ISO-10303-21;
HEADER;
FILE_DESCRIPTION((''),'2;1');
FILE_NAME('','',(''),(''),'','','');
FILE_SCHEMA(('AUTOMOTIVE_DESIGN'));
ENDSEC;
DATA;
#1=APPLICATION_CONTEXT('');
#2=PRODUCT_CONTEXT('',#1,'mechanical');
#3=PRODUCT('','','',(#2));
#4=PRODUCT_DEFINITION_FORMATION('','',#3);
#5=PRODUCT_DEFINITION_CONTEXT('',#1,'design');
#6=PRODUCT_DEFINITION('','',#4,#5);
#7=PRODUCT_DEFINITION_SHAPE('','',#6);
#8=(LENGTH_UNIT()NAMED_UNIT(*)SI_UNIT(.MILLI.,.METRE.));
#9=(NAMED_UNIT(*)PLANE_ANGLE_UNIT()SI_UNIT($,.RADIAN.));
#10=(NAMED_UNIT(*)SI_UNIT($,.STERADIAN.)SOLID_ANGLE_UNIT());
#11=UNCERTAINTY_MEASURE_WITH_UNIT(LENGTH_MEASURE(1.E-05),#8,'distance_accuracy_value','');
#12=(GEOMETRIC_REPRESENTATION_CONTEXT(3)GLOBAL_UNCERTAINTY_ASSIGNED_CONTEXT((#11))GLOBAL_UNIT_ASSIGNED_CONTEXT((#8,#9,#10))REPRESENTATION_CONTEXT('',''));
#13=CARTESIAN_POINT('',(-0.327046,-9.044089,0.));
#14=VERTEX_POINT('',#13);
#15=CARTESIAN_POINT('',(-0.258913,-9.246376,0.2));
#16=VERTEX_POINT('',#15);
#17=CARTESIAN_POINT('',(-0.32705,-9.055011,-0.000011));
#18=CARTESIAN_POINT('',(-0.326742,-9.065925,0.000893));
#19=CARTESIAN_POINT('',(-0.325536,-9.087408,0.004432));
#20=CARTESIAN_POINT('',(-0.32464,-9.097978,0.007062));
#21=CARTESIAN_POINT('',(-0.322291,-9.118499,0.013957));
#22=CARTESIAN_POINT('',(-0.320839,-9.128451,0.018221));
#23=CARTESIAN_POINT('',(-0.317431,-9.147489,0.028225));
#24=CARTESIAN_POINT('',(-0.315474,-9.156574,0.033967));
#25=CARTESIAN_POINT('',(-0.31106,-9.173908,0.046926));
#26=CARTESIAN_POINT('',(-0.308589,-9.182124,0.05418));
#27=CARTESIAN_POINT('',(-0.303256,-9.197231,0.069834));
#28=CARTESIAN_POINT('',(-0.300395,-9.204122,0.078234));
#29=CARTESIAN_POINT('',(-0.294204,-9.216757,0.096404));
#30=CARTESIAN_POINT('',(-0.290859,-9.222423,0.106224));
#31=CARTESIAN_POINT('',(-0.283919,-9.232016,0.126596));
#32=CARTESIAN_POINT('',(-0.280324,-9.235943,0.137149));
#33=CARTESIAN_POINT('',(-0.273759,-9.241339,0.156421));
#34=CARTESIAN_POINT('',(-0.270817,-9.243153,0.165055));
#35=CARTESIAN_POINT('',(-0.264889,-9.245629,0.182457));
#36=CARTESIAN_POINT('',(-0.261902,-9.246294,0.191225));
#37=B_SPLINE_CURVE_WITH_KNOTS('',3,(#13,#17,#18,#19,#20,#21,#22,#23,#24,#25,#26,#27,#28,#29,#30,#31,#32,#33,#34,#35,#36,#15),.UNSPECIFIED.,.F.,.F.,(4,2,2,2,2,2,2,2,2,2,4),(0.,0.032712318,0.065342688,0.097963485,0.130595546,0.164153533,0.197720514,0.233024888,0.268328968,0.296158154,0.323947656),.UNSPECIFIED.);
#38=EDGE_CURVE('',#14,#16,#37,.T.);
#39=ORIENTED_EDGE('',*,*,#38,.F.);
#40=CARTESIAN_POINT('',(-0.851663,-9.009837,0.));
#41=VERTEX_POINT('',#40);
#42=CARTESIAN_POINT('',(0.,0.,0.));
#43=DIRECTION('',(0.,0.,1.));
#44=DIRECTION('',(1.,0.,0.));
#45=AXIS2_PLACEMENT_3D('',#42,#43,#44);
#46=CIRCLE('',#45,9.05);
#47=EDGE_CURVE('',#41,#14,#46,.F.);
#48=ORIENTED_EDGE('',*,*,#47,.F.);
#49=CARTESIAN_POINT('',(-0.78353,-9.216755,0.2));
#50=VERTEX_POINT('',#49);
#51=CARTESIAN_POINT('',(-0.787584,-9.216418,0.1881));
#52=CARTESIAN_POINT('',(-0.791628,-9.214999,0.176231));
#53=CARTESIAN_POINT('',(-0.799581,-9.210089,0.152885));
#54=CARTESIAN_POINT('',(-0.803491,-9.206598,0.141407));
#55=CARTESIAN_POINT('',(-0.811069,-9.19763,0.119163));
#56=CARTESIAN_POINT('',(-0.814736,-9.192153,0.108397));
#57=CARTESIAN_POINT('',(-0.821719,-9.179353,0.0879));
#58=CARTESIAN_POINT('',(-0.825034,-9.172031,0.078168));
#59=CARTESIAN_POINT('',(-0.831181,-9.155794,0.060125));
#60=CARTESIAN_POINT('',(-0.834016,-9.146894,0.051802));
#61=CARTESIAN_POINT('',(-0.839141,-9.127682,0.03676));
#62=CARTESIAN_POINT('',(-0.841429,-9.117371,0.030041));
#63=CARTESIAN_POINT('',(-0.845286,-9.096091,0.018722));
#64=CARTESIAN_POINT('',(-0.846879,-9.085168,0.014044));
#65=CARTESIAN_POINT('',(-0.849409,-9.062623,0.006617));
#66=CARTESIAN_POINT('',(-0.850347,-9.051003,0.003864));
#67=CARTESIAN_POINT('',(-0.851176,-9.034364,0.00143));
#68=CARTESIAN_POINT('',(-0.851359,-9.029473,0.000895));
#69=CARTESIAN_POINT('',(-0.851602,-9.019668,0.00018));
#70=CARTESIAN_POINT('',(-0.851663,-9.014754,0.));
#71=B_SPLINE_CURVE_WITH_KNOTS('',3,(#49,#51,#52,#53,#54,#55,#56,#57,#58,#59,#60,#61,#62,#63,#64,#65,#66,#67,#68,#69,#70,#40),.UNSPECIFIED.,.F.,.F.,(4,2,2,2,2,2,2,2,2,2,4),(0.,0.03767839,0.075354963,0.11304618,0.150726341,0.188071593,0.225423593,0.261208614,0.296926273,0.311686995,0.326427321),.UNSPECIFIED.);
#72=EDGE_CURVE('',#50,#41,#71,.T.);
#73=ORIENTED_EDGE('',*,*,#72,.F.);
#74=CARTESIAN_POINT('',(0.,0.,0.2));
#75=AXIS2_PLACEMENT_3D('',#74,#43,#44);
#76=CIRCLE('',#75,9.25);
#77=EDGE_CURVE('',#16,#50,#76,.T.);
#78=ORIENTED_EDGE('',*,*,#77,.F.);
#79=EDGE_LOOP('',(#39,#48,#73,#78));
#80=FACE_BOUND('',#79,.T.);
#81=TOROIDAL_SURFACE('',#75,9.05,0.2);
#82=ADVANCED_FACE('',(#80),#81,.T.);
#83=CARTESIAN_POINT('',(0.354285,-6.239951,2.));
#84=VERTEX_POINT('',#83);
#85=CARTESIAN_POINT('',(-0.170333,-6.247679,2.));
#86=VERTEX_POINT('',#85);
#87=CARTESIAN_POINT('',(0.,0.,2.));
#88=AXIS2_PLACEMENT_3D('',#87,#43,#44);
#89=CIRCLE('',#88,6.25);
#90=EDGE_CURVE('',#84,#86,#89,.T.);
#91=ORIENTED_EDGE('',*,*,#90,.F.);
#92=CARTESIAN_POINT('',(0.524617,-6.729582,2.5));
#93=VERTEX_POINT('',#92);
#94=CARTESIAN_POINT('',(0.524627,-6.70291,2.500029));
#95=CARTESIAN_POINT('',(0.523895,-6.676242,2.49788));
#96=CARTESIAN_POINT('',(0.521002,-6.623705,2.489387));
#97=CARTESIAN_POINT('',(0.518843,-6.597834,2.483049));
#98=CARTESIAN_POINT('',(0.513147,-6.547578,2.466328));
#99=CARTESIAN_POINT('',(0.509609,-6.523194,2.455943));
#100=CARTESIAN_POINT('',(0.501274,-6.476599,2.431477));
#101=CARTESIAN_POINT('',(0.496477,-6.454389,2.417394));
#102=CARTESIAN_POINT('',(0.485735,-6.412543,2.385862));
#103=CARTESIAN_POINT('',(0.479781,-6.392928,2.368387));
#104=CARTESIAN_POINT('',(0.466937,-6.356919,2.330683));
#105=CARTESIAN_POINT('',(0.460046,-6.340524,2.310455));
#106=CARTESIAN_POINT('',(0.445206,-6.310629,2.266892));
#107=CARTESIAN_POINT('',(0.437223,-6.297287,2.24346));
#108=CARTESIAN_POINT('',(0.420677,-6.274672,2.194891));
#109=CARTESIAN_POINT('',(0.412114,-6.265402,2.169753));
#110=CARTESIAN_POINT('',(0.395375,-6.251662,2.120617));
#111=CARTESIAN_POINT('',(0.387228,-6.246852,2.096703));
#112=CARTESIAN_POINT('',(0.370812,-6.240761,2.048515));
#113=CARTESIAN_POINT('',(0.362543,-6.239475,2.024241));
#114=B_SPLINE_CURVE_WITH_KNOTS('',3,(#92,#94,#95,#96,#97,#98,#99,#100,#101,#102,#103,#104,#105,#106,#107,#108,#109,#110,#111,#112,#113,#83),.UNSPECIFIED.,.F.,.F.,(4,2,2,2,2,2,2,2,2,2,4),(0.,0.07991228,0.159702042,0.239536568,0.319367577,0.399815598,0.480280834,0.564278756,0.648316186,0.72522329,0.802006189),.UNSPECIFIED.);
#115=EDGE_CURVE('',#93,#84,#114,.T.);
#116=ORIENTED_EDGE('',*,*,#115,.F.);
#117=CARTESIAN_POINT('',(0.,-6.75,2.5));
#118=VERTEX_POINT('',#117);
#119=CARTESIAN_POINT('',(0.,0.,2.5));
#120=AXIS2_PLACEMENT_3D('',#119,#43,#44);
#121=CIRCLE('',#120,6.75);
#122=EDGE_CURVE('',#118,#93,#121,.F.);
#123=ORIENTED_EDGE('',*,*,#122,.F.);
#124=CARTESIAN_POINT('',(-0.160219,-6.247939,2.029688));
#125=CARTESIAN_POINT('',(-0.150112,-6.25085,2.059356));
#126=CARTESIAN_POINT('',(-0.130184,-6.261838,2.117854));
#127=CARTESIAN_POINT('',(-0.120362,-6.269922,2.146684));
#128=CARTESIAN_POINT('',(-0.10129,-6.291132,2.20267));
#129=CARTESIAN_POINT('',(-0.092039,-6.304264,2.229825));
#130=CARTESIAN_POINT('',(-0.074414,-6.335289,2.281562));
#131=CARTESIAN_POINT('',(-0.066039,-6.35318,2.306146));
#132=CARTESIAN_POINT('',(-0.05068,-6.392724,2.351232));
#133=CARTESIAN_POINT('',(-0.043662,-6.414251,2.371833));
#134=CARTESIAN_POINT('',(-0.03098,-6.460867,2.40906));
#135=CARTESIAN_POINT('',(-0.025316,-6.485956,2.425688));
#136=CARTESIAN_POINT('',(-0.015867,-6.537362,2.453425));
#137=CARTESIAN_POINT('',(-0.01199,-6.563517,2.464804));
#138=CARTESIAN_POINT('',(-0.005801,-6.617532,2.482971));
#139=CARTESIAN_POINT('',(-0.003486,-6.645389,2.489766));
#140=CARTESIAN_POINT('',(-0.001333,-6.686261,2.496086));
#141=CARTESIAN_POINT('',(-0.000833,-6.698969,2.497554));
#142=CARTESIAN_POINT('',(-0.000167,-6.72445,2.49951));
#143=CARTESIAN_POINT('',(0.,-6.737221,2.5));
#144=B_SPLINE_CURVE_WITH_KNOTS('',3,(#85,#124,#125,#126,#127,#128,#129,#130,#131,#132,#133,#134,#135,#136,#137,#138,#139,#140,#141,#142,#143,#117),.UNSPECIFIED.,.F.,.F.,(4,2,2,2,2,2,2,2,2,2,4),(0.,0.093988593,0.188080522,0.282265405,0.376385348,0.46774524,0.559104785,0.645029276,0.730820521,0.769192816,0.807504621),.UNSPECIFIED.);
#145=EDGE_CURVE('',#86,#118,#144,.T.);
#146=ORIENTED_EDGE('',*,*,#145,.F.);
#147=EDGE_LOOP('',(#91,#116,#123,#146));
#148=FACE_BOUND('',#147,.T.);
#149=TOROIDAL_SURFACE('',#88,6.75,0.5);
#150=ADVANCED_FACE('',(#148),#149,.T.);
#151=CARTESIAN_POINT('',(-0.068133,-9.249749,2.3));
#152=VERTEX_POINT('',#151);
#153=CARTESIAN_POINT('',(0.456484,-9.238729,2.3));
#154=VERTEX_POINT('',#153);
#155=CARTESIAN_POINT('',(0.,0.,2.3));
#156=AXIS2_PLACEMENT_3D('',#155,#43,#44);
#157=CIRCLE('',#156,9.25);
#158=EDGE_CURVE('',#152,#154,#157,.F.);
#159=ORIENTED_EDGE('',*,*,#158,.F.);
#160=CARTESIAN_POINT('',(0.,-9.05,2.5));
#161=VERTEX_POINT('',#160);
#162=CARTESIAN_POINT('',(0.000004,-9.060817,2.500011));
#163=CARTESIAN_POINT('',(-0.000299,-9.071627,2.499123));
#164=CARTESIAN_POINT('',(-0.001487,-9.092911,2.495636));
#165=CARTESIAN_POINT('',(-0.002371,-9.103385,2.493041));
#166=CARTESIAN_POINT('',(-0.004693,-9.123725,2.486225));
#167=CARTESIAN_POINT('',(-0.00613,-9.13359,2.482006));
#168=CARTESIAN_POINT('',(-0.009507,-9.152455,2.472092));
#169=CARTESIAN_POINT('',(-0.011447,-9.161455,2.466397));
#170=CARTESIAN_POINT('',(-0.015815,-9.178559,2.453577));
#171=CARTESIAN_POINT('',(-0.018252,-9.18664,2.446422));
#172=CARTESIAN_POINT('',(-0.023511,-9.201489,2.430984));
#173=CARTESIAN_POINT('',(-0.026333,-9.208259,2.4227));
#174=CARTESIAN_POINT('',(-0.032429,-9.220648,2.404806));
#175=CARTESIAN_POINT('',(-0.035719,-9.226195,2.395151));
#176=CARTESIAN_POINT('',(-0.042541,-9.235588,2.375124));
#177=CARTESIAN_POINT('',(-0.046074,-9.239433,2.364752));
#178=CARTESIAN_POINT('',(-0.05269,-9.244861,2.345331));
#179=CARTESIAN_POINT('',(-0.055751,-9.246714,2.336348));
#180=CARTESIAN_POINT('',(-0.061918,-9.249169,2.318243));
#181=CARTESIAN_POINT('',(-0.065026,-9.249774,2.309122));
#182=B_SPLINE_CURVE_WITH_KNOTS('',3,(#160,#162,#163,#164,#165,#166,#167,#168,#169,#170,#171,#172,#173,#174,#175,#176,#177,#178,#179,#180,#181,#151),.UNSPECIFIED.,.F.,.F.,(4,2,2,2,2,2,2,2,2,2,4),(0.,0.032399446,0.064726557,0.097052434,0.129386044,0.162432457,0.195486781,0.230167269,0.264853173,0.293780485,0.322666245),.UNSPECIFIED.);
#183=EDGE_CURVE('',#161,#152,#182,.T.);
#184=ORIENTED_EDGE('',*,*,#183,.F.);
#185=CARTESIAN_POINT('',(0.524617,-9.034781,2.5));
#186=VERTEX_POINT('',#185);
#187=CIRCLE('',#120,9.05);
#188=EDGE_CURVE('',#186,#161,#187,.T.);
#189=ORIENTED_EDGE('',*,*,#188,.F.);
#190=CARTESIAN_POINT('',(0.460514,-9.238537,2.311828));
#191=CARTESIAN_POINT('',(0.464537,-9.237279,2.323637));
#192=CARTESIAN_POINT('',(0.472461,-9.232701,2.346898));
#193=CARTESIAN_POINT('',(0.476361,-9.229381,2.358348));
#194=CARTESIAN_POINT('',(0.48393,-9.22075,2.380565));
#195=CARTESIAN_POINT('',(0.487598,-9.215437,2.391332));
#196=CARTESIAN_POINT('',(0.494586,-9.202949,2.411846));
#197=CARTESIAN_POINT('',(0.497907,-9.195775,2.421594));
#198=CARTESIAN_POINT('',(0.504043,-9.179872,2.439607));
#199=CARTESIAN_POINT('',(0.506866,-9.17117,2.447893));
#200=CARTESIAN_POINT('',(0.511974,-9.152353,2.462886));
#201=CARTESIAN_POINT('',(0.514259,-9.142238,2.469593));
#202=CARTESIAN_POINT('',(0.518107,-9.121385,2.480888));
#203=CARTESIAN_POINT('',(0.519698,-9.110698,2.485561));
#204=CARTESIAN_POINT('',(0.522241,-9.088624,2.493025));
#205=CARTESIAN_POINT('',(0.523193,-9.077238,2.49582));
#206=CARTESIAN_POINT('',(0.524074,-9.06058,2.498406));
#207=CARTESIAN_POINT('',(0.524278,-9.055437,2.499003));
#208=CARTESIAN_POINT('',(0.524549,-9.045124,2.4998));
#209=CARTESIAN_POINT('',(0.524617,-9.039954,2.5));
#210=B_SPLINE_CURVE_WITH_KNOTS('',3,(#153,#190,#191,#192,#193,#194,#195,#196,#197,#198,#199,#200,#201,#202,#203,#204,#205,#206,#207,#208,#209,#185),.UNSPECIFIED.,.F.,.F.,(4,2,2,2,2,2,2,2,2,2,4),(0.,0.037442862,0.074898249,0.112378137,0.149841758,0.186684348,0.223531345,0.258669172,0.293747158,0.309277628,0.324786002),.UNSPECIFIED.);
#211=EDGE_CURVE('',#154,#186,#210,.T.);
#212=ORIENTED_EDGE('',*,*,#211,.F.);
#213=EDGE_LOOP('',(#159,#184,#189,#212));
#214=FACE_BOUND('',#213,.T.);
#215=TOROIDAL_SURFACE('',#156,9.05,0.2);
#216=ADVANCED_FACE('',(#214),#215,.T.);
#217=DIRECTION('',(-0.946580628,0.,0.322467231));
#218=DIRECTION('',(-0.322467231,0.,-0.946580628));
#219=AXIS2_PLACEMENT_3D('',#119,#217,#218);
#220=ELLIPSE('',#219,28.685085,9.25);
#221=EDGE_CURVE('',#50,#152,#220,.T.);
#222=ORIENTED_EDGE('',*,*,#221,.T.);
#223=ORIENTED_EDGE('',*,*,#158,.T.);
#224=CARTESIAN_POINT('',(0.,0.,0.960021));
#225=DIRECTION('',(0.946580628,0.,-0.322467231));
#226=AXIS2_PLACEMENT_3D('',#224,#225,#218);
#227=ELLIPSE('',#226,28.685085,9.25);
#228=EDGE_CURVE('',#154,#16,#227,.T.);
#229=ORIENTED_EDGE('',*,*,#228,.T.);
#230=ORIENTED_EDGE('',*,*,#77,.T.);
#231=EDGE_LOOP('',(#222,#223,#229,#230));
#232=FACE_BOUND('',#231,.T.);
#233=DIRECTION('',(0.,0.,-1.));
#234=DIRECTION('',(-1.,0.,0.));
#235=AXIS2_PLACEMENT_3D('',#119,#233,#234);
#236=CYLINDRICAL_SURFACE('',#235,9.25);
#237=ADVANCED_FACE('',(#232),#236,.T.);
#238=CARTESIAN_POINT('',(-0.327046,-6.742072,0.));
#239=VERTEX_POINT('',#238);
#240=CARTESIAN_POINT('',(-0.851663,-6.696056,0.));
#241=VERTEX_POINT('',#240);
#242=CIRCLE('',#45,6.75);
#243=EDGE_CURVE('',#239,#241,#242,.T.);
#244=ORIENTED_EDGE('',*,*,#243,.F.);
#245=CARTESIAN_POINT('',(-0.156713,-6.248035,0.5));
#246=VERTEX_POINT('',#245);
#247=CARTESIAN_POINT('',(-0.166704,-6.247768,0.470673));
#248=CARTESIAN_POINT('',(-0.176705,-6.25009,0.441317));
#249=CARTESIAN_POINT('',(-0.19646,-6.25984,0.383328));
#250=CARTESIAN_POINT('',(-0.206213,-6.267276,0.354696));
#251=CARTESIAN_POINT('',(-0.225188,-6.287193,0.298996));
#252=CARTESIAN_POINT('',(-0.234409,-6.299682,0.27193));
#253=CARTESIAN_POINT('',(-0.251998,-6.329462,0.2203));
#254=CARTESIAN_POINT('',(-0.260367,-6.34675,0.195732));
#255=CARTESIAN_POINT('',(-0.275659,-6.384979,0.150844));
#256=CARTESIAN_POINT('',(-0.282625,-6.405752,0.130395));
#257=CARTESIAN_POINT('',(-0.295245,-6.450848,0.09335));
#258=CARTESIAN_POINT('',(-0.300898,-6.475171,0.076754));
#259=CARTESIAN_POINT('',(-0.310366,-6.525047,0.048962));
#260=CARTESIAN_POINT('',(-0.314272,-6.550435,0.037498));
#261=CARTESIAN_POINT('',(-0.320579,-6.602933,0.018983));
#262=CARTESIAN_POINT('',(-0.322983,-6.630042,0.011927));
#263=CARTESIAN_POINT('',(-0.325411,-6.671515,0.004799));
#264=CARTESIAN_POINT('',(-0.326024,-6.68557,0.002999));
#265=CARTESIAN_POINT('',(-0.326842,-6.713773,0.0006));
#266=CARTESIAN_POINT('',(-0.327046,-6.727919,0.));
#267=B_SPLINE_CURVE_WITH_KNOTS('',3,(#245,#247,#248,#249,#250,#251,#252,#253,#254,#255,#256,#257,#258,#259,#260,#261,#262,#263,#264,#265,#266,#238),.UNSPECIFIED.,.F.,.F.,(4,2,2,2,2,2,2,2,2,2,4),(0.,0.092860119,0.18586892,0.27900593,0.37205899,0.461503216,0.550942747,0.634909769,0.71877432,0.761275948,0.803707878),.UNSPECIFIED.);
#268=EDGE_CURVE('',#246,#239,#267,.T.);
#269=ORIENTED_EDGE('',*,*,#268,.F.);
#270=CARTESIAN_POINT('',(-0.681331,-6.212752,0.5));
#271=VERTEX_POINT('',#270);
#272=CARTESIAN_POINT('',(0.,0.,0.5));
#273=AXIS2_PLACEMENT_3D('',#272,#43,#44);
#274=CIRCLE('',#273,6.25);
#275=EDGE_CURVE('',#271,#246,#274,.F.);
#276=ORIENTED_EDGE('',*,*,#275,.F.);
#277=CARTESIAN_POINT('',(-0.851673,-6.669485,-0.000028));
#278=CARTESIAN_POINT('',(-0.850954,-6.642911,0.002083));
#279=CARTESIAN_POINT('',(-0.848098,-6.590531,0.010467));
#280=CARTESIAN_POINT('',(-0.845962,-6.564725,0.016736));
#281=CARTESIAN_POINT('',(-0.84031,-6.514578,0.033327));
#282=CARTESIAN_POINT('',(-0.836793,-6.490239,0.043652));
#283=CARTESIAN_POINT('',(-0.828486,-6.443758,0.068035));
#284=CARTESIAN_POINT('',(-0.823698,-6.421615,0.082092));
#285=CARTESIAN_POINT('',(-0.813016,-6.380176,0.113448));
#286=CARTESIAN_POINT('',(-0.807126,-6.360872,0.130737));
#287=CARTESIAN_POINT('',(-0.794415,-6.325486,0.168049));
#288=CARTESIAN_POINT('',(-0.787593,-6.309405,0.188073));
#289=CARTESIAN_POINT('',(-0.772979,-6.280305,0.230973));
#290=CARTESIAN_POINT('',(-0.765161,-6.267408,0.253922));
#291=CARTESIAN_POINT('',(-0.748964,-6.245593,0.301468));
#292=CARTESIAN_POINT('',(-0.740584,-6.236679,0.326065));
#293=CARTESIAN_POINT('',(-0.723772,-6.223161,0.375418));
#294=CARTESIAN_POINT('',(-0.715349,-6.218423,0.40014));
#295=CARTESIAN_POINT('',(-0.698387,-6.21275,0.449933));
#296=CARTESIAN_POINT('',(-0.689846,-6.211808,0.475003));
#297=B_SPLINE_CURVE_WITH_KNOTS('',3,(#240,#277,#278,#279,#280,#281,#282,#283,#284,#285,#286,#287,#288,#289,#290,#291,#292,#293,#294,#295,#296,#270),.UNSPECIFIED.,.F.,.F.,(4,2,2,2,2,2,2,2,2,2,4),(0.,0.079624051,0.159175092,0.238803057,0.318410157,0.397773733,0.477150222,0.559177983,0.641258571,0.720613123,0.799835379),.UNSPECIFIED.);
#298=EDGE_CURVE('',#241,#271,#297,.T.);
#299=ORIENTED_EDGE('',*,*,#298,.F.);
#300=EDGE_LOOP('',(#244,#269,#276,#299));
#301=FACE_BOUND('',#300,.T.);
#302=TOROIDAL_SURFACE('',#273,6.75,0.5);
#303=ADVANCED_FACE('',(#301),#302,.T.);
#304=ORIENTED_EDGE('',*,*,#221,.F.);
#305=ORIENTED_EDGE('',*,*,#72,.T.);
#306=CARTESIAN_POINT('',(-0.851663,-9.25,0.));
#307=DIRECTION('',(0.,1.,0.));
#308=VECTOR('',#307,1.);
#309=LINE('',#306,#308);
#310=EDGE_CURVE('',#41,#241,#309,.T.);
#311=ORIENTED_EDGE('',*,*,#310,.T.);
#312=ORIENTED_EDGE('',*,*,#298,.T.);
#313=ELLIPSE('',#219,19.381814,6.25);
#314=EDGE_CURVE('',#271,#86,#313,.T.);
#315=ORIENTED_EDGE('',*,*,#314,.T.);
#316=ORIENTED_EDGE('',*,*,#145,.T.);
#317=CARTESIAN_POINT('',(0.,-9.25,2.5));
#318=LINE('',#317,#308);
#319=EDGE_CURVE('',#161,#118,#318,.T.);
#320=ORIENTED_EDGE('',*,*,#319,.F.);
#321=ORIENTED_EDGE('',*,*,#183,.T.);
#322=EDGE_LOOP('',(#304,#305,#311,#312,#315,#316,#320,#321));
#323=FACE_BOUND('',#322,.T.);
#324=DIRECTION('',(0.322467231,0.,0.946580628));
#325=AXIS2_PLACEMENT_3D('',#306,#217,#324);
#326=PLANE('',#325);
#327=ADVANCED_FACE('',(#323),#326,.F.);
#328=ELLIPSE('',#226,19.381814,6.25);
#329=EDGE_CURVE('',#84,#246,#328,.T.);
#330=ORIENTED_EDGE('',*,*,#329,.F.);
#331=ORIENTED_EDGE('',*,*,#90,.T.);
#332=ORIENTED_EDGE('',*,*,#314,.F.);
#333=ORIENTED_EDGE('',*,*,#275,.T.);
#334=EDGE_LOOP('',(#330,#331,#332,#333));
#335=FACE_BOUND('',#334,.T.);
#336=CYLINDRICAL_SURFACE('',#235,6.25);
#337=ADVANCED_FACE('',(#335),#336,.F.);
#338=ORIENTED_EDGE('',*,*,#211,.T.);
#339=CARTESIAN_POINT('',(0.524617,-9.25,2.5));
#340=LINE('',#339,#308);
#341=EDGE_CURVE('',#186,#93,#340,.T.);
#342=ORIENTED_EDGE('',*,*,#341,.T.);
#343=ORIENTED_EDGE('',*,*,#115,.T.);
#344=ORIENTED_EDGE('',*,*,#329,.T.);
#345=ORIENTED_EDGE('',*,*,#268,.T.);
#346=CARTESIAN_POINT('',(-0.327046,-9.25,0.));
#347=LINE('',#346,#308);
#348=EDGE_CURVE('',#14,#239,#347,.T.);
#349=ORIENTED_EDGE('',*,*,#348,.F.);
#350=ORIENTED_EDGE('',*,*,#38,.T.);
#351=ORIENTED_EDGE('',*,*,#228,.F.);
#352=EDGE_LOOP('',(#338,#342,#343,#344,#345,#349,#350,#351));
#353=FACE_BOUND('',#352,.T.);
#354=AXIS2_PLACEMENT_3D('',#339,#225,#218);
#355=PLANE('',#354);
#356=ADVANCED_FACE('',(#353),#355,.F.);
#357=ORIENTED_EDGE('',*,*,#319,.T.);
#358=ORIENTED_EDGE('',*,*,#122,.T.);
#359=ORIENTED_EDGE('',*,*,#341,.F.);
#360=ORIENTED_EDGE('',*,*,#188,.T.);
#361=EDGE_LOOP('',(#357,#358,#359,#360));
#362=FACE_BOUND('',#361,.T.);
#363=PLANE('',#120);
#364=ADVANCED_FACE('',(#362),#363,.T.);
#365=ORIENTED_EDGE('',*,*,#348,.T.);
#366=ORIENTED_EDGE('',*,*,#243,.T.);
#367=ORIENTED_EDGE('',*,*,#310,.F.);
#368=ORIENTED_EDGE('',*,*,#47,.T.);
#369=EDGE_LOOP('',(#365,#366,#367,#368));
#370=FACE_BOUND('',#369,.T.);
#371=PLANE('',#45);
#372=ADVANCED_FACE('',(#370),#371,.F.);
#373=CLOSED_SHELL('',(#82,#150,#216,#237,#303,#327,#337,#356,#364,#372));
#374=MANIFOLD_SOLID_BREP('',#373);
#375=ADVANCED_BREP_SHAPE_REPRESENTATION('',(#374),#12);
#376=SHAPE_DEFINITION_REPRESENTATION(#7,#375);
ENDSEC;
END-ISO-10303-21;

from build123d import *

# Parameters (mm, degrees)
ESQUISSE1_R             = 9.25
ESQUISSE1_R_2           = 6.25
EXTRUSION1_DEPTH        = 2.5
ENL_V_MAT_EXTRU_1_DEPTH = 14.318220602
CONG_1_R                = 0.5
CONG_2_R                = 0.2


with BuildPart() as part:
    # Esquisse1 → Extrusion1 (new body)
    with BuildSketch(Plane.XY):
        Circle(ESQUISSE1_R)
        Circle(ESQUISSE1_R_2, mode=Mode.SUBTRACT)
    extrude(amount=EXTRUSION1_DEPTH)

    # Esquisse2 → Enlèv. mat.-Extru.1 (cut, through all)
    with BuildSketch(Plane(origin=(0, 0, 0), x_dir=(1, 0, 0), z_dir=(0, 1, 0))):
        Polygon((-0.851663401, 0), (0, -2.5), (0.524617445, -2.5), (-0.327045957, 0), align=None)
    extrude(amount=-ENL_V_MAT_EXTRU_1_DEPTH, mode=Mode.SUBTRACT)

    # Congé1
    cong_1_edges = [part.edges().sort_by_distance(p)[0] for p in [
        (-4.419417382, 4.419417382, 2.5),
        (-4.107286436, 4.710912664, 0),
    ]]
    fillet(cong_1_edges, radius=CONG_1_R)

    # Congé2
    cong_2_edges = [part.edges().sort_by_distance(p)[0] for p in [
        (-6.540737726, 6.540737726, 2.5),
        (-6.232359647, 6.835217131, 0),
    ]]
    fillet(cong_2_edges, radius=CONG_2_R)


solid = part.part
